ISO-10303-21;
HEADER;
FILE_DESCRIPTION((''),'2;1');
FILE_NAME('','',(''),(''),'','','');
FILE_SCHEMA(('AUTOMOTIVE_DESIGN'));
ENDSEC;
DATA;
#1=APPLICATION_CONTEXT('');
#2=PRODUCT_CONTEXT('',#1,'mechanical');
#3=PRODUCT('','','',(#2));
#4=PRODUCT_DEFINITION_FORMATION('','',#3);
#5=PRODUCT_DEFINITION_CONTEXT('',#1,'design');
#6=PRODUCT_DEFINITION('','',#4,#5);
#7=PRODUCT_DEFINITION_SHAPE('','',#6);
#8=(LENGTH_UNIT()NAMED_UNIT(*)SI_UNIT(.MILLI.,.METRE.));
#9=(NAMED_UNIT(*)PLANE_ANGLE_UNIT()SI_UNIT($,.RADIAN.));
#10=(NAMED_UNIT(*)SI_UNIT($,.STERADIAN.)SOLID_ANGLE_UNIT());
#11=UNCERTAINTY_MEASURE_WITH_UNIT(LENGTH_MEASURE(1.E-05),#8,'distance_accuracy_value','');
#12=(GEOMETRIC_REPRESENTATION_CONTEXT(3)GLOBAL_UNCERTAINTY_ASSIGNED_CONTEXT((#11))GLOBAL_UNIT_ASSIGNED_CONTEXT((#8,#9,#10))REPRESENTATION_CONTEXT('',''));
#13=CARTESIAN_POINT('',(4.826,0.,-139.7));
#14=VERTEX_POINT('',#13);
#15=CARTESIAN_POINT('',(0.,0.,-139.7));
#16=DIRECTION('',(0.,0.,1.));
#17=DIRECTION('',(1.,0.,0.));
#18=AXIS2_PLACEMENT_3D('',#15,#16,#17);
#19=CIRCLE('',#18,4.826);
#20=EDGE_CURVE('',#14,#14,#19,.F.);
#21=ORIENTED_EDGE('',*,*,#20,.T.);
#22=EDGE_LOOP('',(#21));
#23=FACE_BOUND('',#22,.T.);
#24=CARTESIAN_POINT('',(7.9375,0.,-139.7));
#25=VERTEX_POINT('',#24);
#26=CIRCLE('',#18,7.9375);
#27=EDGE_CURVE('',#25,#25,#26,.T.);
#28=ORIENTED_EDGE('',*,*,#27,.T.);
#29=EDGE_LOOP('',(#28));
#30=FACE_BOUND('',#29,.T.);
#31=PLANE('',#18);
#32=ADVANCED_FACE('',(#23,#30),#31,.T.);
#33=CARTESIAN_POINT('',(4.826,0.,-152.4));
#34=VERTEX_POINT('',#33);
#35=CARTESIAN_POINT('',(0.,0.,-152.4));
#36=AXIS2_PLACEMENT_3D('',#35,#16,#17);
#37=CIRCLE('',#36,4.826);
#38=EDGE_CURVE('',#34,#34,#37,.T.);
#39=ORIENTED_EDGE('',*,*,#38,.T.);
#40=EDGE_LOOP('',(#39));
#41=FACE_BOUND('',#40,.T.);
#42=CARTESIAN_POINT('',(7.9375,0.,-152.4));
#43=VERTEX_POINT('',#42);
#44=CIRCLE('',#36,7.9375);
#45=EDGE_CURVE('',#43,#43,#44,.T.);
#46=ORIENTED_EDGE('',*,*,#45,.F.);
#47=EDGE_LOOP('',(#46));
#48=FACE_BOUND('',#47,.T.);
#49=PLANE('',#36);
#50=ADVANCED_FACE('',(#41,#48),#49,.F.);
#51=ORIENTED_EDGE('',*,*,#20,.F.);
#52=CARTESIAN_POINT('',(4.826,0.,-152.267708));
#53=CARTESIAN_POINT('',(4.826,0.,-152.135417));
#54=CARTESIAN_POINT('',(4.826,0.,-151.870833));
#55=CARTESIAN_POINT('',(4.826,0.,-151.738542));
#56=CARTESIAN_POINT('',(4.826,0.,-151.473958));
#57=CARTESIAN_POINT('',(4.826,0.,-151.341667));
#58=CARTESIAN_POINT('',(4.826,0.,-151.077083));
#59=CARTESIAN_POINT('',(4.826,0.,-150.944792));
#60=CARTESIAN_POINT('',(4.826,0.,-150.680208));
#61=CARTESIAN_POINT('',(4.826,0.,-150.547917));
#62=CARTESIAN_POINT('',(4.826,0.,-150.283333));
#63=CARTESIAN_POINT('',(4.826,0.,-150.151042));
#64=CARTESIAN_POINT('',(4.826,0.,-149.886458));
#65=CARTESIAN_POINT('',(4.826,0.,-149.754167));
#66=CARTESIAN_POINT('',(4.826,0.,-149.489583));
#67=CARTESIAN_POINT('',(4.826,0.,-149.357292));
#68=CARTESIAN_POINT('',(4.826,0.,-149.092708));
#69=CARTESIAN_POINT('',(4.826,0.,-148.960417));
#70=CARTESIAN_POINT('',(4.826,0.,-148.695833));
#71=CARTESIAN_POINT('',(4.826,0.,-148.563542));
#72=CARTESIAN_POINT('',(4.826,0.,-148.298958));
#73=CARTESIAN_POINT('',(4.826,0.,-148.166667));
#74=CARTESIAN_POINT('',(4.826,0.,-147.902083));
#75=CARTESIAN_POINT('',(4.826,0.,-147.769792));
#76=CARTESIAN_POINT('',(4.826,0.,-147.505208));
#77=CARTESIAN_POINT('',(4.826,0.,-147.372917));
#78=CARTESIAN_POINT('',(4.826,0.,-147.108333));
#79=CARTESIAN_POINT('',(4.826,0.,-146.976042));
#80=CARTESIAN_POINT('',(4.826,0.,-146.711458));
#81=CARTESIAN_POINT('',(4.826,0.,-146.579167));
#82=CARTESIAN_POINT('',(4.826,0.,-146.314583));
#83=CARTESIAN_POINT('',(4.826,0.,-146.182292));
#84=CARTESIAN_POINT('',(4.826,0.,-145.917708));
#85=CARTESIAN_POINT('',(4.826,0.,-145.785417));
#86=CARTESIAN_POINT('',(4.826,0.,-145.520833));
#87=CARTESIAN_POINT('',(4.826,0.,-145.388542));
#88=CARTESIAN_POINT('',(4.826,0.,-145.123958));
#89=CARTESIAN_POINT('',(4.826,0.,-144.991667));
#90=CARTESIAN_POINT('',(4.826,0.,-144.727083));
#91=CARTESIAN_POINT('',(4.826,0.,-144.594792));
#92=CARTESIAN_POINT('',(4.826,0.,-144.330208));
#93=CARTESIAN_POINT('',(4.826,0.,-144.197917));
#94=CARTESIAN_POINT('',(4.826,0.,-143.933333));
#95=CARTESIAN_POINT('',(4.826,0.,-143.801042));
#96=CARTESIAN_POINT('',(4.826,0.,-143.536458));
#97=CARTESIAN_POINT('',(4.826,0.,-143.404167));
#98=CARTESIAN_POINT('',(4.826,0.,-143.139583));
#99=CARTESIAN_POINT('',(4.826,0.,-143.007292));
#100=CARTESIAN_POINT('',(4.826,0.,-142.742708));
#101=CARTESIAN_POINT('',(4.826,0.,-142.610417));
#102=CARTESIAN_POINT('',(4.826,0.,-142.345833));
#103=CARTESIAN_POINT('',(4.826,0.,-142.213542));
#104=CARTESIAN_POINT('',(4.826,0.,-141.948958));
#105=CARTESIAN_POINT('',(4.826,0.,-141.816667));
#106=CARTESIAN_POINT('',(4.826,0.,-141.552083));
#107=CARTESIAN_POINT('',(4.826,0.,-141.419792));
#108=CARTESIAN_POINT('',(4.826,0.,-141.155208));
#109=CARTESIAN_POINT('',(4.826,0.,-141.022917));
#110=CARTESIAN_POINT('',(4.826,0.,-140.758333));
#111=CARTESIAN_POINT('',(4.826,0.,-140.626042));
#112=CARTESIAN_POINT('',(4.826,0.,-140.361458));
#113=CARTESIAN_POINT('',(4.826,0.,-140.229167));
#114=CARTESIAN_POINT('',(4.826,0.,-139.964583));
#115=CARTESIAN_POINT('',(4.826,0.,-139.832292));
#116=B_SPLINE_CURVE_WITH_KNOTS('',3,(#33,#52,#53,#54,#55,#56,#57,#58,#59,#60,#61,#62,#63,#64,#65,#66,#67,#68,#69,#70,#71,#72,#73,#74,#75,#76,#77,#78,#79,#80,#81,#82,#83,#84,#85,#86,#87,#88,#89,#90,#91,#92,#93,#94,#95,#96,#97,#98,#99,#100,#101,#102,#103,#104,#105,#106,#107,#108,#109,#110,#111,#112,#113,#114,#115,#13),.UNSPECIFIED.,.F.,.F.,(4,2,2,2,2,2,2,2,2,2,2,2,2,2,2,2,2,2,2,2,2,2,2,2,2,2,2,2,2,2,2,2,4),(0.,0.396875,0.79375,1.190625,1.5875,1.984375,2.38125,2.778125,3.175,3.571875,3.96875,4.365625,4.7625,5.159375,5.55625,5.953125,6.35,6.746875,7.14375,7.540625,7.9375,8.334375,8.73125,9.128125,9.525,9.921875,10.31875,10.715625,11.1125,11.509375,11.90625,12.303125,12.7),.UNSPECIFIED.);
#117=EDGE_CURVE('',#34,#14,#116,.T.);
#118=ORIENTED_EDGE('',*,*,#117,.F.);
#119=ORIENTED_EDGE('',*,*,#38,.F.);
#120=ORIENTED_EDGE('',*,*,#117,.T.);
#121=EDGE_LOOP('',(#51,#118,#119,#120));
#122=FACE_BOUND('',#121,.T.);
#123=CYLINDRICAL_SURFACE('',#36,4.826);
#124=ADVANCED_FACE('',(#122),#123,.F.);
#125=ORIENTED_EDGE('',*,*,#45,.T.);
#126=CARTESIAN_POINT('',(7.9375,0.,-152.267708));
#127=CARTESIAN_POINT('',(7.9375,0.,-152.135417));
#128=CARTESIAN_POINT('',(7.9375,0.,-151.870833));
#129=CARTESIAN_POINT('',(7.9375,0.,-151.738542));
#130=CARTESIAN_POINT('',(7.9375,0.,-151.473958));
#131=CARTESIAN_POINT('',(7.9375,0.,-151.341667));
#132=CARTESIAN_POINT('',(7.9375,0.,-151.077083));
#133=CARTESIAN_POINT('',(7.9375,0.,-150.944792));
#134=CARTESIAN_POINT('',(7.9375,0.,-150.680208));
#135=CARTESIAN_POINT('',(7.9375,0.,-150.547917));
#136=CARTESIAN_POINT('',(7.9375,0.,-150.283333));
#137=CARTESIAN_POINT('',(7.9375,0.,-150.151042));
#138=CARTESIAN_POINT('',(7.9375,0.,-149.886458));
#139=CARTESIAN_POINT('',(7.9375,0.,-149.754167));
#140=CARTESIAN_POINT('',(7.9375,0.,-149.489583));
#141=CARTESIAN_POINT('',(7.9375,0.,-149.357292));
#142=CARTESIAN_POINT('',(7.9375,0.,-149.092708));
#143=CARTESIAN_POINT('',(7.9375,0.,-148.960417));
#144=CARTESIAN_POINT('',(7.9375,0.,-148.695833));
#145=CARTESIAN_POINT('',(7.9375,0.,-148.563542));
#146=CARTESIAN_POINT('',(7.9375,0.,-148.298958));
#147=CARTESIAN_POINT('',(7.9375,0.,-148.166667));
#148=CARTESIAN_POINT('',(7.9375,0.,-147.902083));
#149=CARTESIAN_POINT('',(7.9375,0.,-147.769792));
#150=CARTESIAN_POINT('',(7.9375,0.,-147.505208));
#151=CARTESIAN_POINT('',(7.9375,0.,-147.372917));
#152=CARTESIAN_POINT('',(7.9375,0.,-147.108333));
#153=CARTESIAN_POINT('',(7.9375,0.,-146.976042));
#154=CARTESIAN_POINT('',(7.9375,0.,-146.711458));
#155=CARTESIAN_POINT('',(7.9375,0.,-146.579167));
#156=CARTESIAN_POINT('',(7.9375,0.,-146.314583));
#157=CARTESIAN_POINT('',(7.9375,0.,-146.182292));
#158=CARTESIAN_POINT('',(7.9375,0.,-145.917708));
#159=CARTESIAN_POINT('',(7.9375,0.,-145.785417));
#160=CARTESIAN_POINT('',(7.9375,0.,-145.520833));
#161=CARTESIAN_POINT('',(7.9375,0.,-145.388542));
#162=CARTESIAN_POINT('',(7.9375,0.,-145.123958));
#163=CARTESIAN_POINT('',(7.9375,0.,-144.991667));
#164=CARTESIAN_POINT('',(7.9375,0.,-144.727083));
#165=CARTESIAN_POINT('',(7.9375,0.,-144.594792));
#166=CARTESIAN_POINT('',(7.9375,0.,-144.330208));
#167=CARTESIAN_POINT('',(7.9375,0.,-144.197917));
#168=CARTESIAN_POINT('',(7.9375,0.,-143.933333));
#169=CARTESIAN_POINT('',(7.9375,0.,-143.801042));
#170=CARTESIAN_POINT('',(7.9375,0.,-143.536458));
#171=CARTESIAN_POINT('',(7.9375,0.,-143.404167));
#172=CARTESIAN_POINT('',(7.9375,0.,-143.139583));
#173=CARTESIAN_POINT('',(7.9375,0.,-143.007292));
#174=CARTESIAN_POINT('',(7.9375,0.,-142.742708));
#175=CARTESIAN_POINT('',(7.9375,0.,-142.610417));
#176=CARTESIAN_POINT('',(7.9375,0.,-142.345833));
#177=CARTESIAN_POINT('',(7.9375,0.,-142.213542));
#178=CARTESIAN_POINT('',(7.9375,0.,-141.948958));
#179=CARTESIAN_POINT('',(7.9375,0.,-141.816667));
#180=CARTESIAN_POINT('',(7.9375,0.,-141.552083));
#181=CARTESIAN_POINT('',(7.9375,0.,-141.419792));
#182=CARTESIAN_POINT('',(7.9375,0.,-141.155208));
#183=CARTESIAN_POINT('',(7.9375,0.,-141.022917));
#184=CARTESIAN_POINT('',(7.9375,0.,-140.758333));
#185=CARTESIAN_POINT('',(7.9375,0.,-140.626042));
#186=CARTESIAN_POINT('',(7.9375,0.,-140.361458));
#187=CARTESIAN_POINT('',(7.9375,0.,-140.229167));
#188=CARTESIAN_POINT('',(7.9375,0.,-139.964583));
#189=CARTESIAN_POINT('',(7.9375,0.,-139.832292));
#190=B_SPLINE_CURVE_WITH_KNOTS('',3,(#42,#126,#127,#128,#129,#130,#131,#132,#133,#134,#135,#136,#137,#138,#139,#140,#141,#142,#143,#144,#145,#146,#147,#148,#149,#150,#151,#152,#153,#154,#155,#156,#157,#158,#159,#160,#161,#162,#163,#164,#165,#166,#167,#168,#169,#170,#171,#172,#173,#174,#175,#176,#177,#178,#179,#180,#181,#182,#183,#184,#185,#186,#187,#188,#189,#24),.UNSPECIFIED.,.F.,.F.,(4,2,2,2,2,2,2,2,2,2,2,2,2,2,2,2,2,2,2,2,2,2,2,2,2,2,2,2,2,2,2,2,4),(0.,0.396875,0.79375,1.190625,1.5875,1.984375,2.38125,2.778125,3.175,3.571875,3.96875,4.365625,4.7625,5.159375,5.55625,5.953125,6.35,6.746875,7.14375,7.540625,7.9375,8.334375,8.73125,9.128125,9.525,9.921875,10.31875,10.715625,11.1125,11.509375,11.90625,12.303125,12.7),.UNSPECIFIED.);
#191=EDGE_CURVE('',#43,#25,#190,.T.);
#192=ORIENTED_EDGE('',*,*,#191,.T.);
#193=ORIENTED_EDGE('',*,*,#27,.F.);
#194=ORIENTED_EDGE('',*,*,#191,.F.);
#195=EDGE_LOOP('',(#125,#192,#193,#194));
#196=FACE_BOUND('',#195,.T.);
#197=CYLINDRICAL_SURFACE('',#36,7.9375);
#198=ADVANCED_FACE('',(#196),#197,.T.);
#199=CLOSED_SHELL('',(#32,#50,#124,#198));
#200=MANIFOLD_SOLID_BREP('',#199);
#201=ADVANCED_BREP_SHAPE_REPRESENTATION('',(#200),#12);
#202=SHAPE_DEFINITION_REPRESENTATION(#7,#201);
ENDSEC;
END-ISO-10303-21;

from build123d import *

# Parameters (mm, degrees)
BOSS_EXTRUDE1_DEPTH      = 152.4
BOSS_EXTRUDE1_DEPTH_BACK = 152.4
SKETCH3_R                = 7.9375
SKETCH3_R_2              = 4.826
SKETCH4_R                = 7.9375
CUT_EXTRUDE1_DEPTH       = 292.1


with BuildPart() as part:
    # Sketch3 → Boss-Extrude1 (new, two sides: drawn at the far end of the back side and taken through both)
    with BuildSketch(Plane.XY.offset(-BOSS_EXTRUDE1_DEPTH_BACK)):
        Circle(SKETCH3_R)
        Circle(SKETCH3_R_2, mode=Mode.SUBTRACT)
    extrude(amount=BOSS_EXTRUDE1_DEPTH + BOSS_EXTRUDE1_DEPTH_BACK)

    # Sketch4 → Cut-Extrude1 (cut)
    with BuildSketch(Plane.XY.offset(152.4)):
        Circle(SKETCH4_R)
    extrude(amount=-CUT_EXTRUDE1_DEPTH, mode=Mode.SUBTRACT)


solid = part.part
